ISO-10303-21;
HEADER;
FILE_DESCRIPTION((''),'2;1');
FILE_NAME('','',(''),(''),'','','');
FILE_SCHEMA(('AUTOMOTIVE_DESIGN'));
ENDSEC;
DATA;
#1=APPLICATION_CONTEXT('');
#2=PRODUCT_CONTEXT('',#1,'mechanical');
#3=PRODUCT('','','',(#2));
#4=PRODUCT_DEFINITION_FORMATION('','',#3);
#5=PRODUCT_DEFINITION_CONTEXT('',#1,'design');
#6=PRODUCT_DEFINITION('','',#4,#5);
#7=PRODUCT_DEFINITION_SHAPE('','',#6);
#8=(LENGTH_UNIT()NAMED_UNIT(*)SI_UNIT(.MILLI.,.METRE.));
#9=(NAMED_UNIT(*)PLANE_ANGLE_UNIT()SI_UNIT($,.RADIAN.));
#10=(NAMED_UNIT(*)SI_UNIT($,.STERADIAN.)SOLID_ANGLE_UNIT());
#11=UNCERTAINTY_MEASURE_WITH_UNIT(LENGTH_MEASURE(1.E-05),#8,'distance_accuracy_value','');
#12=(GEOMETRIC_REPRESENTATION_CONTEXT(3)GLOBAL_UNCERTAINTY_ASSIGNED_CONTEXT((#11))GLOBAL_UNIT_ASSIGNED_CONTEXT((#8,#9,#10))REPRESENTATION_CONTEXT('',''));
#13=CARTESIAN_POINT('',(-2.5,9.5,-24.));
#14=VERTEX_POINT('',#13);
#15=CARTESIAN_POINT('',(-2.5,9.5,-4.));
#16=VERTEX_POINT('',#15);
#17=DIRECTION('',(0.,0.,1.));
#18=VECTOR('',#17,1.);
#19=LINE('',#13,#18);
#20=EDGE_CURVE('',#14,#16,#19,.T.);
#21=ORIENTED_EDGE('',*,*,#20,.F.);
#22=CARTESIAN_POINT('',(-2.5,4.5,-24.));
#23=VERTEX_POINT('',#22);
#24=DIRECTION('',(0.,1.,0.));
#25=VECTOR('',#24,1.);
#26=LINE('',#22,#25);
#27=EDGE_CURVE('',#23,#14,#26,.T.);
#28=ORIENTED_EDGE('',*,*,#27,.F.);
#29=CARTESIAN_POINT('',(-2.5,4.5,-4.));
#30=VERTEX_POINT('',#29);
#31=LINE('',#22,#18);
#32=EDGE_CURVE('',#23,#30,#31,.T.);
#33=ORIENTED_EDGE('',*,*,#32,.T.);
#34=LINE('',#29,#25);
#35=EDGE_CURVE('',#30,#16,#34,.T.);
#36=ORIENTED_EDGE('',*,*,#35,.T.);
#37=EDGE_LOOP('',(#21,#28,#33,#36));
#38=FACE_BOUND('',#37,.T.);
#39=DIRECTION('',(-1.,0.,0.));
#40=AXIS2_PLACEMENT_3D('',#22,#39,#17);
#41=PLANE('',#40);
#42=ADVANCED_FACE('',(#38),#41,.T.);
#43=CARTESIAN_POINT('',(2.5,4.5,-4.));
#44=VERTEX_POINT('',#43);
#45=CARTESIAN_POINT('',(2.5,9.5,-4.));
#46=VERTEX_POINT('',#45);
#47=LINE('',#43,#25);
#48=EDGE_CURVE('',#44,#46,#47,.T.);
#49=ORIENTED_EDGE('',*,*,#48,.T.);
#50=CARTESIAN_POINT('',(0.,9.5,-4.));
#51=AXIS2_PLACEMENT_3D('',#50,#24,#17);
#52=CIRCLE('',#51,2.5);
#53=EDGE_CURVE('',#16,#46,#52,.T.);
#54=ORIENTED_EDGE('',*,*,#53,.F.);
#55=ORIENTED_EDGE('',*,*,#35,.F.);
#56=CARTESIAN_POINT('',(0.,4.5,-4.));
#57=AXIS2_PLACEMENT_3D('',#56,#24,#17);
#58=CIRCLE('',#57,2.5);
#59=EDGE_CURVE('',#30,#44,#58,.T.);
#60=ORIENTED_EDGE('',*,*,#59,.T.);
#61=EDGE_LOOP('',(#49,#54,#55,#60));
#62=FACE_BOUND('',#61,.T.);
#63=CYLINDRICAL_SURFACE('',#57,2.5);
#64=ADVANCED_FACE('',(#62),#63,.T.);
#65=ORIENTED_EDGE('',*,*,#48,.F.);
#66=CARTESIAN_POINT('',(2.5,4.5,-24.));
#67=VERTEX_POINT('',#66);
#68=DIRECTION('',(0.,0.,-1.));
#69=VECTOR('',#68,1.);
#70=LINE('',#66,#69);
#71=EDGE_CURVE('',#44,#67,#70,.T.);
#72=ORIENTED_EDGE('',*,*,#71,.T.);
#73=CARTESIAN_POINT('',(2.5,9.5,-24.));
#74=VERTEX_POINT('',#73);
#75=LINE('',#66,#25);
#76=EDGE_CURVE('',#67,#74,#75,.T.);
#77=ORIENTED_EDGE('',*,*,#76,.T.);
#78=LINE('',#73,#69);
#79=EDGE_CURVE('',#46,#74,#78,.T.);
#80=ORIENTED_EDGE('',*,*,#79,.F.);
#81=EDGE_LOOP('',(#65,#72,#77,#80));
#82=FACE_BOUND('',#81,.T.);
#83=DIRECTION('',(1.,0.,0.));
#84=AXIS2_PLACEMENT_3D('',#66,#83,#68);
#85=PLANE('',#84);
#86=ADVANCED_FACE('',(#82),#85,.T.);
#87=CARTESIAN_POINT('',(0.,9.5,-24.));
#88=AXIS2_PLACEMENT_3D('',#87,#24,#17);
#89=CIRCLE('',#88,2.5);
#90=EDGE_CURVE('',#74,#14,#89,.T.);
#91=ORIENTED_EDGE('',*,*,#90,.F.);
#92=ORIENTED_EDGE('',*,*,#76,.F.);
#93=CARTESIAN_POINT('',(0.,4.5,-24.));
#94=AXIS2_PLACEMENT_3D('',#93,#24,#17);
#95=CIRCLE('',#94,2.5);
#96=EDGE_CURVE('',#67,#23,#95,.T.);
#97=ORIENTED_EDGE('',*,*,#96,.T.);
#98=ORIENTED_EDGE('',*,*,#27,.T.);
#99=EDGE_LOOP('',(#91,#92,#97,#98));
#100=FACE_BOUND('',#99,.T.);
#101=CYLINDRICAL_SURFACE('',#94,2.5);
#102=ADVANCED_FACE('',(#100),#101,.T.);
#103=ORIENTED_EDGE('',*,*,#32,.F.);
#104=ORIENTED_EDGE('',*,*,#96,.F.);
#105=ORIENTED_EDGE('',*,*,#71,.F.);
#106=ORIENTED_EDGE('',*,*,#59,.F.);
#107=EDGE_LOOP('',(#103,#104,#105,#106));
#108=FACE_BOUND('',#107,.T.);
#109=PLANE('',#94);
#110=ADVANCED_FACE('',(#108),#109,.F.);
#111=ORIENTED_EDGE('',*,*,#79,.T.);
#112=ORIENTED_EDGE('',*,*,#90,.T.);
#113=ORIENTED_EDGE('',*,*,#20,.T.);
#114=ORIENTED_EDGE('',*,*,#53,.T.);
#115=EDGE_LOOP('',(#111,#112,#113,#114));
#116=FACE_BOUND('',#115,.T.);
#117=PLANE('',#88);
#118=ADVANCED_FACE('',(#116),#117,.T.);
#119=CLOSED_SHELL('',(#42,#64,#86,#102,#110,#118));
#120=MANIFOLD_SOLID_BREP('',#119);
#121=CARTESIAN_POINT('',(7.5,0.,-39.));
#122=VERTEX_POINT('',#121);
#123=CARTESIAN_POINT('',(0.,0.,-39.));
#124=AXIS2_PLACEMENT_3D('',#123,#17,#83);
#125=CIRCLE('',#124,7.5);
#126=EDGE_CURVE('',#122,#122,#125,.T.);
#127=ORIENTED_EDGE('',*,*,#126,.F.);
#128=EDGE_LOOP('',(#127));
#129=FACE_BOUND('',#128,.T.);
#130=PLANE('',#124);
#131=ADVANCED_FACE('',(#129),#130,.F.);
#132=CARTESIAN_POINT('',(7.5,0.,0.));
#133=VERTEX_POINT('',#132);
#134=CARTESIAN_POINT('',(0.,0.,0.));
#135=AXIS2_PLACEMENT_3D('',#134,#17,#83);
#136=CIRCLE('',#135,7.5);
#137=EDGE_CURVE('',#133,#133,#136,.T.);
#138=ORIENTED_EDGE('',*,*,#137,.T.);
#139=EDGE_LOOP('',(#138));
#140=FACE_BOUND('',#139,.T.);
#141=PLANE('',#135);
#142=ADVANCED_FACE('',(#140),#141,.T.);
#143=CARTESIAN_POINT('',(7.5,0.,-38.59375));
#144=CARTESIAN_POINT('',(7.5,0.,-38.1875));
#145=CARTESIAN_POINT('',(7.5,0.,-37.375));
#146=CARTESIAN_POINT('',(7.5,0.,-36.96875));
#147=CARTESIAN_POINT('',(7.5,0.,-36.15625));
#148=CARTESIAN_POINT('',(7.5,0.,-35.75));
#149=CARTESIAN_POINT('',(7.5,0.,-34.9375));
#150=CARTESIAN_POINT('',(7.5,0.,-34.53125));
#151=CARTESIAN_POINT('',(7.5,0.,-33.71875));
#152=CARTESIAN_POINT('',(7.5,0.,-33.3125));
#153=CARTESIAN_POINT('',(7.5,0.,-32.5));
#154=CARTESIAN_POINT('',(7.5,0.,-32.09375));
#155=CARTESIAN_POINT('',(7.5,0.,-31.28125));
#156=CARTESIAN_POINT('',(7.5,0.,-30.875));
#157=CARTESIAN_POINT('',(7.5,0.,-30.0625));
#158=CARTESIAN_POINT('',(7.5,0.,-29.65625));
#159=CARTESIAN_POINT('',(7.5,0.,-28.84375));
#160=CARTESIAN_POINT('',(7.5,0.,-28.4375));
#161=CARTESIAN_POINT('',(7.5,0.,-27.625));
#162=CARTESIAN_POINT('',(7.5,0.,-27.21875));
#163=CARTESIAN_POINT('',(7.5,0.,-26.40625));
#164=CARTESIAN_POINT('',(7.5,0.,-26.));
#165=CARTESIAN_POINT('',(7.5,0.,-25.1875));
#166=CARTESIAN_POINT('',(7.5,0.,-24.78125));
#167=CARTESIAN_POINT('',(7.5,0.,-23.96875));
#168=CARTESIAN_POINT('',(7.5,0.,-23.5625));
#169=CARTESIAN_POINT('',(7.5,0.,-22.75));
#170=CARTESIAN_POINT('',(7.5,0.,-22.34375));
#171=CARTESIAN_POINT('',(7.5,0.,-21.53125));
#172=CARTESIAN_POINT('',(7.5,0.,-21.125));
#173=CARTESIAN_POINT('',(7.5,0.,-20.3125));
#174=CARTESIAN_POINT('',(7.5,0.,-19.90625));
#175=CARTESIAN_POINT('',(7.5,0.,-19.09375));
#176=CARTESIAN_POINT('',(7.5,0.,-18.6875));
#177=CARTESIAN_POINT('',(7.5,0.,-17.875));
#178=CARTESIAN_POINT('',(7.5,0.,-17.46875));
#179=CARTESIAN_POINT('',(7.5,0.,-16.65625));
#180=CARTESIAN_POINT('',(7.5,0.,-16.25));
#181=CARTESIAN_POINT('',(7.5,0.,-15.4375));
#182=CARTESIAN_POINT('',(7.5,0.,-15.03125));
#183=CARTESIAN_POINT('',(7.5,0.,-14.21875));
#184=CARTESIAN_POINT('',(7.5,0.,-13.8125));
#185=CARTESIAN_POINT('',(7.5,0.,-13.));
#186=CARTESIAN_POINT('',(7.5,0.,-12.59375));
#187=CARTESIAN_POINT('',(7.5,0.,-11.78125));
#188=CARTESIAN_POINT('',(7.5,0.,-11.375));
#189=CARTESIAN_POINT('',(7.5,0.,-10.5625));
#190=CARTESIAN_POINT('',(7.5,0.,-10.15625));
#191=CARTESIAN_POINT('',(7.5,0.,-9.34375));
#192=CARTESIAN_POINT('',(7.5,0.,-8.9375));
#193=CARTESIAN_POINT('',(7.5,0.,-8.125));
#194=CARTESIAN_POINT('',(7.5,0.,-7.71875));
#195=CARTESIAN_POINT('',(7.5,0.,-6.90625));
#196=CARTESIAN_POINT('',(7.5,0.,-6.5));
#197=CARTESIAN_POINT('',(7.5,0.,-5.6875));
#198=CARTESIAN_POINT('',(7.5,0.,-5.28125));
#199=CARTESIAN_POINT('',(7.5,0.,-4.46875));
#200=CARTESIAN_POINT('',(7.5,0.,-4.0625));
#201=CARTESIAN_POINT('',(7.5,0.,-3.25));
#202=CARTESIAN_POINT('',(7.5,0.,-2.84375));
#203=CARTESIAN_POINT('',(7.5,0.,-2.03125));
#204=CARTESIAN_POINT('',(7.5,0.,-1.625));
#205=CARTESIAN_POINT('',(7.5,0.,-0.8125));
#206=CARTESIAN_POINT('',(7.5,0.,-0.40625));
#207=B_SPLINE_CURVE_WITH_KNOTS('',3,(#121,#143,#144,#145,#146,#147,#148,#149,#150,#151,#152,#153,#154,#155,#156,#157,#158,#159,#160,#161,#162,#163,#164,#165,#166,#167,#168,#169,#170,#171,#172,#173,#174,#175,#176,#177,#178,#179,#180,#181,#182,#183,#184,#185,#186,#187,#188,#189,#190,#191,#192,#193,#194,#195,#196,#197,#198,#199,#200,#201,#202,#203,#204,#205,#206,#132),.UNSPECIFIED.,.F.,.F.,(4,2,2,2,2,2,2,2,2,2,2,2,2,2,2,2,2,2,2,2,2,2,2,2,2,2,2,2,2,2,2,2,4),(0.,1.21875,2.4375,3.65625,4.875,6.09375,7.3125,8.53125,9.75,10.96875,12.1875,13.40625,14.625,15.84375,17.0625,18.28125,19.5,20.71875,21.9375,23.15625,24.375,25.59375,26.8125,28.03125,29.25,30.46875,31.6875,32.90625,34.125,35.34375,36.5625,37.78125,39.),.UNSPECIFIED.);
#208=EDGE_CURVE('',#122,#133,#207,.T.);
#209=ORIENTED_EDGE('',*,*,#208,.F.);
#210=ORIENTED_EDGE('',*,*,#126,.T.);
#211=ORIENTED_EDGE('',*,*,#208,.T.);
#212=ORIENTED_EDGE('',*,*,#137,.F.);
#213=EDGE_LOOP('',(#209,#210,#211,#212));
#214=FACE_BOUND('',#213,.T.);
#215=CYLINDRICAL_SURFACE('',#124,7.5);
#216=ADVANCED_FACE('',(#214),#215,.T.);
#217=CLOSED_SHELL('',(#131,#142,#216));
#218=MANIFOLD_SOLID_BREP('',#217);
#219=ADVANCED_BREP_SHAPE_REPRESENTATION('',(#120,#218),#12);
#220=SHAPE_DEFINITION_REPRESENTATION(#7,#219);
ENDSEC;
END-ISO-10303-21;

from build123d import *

# Parameters (mm, degrees)
SKETCH1_R           = 7.5
BOSS_EXTRUDE1_DEPTH = 39
BOSS_EXTRUDE2_DEPTH = 5


with BuildPart() as part:
    # Sketch1 → Boss-Extrude1 (new body)
    with BuildSketch(Plane.XY):
        Circle(SKETCH1_R)
    extrude(amount=-BOSS_EXTRUDE1_DEPTH)


with BuildPart() as body_2:
    # Sketch2 → Boss-Extrude2 (new body)
    with BuildSketch(Plane(origin=(0, 9.5, 0), x_dir=(1, 0, 0), z_dir=(0, 1, 0))):
        with BuildLine():
            Line((2.5, 24), (2.5, 4))
            ThreePointArc((2.5, 4), (0, 1.5), (-2.5, 4))
            Line((-2.5, 4), (-2.5, 24))
            ThreePointArc((-2.5, 24), (0, 26.5), (2.5, 24))
        make_face()
    extrude(amount=-BOSS_EXTRUDE2_DEPTH)


solid = Compound([part.part, body_2.part])
